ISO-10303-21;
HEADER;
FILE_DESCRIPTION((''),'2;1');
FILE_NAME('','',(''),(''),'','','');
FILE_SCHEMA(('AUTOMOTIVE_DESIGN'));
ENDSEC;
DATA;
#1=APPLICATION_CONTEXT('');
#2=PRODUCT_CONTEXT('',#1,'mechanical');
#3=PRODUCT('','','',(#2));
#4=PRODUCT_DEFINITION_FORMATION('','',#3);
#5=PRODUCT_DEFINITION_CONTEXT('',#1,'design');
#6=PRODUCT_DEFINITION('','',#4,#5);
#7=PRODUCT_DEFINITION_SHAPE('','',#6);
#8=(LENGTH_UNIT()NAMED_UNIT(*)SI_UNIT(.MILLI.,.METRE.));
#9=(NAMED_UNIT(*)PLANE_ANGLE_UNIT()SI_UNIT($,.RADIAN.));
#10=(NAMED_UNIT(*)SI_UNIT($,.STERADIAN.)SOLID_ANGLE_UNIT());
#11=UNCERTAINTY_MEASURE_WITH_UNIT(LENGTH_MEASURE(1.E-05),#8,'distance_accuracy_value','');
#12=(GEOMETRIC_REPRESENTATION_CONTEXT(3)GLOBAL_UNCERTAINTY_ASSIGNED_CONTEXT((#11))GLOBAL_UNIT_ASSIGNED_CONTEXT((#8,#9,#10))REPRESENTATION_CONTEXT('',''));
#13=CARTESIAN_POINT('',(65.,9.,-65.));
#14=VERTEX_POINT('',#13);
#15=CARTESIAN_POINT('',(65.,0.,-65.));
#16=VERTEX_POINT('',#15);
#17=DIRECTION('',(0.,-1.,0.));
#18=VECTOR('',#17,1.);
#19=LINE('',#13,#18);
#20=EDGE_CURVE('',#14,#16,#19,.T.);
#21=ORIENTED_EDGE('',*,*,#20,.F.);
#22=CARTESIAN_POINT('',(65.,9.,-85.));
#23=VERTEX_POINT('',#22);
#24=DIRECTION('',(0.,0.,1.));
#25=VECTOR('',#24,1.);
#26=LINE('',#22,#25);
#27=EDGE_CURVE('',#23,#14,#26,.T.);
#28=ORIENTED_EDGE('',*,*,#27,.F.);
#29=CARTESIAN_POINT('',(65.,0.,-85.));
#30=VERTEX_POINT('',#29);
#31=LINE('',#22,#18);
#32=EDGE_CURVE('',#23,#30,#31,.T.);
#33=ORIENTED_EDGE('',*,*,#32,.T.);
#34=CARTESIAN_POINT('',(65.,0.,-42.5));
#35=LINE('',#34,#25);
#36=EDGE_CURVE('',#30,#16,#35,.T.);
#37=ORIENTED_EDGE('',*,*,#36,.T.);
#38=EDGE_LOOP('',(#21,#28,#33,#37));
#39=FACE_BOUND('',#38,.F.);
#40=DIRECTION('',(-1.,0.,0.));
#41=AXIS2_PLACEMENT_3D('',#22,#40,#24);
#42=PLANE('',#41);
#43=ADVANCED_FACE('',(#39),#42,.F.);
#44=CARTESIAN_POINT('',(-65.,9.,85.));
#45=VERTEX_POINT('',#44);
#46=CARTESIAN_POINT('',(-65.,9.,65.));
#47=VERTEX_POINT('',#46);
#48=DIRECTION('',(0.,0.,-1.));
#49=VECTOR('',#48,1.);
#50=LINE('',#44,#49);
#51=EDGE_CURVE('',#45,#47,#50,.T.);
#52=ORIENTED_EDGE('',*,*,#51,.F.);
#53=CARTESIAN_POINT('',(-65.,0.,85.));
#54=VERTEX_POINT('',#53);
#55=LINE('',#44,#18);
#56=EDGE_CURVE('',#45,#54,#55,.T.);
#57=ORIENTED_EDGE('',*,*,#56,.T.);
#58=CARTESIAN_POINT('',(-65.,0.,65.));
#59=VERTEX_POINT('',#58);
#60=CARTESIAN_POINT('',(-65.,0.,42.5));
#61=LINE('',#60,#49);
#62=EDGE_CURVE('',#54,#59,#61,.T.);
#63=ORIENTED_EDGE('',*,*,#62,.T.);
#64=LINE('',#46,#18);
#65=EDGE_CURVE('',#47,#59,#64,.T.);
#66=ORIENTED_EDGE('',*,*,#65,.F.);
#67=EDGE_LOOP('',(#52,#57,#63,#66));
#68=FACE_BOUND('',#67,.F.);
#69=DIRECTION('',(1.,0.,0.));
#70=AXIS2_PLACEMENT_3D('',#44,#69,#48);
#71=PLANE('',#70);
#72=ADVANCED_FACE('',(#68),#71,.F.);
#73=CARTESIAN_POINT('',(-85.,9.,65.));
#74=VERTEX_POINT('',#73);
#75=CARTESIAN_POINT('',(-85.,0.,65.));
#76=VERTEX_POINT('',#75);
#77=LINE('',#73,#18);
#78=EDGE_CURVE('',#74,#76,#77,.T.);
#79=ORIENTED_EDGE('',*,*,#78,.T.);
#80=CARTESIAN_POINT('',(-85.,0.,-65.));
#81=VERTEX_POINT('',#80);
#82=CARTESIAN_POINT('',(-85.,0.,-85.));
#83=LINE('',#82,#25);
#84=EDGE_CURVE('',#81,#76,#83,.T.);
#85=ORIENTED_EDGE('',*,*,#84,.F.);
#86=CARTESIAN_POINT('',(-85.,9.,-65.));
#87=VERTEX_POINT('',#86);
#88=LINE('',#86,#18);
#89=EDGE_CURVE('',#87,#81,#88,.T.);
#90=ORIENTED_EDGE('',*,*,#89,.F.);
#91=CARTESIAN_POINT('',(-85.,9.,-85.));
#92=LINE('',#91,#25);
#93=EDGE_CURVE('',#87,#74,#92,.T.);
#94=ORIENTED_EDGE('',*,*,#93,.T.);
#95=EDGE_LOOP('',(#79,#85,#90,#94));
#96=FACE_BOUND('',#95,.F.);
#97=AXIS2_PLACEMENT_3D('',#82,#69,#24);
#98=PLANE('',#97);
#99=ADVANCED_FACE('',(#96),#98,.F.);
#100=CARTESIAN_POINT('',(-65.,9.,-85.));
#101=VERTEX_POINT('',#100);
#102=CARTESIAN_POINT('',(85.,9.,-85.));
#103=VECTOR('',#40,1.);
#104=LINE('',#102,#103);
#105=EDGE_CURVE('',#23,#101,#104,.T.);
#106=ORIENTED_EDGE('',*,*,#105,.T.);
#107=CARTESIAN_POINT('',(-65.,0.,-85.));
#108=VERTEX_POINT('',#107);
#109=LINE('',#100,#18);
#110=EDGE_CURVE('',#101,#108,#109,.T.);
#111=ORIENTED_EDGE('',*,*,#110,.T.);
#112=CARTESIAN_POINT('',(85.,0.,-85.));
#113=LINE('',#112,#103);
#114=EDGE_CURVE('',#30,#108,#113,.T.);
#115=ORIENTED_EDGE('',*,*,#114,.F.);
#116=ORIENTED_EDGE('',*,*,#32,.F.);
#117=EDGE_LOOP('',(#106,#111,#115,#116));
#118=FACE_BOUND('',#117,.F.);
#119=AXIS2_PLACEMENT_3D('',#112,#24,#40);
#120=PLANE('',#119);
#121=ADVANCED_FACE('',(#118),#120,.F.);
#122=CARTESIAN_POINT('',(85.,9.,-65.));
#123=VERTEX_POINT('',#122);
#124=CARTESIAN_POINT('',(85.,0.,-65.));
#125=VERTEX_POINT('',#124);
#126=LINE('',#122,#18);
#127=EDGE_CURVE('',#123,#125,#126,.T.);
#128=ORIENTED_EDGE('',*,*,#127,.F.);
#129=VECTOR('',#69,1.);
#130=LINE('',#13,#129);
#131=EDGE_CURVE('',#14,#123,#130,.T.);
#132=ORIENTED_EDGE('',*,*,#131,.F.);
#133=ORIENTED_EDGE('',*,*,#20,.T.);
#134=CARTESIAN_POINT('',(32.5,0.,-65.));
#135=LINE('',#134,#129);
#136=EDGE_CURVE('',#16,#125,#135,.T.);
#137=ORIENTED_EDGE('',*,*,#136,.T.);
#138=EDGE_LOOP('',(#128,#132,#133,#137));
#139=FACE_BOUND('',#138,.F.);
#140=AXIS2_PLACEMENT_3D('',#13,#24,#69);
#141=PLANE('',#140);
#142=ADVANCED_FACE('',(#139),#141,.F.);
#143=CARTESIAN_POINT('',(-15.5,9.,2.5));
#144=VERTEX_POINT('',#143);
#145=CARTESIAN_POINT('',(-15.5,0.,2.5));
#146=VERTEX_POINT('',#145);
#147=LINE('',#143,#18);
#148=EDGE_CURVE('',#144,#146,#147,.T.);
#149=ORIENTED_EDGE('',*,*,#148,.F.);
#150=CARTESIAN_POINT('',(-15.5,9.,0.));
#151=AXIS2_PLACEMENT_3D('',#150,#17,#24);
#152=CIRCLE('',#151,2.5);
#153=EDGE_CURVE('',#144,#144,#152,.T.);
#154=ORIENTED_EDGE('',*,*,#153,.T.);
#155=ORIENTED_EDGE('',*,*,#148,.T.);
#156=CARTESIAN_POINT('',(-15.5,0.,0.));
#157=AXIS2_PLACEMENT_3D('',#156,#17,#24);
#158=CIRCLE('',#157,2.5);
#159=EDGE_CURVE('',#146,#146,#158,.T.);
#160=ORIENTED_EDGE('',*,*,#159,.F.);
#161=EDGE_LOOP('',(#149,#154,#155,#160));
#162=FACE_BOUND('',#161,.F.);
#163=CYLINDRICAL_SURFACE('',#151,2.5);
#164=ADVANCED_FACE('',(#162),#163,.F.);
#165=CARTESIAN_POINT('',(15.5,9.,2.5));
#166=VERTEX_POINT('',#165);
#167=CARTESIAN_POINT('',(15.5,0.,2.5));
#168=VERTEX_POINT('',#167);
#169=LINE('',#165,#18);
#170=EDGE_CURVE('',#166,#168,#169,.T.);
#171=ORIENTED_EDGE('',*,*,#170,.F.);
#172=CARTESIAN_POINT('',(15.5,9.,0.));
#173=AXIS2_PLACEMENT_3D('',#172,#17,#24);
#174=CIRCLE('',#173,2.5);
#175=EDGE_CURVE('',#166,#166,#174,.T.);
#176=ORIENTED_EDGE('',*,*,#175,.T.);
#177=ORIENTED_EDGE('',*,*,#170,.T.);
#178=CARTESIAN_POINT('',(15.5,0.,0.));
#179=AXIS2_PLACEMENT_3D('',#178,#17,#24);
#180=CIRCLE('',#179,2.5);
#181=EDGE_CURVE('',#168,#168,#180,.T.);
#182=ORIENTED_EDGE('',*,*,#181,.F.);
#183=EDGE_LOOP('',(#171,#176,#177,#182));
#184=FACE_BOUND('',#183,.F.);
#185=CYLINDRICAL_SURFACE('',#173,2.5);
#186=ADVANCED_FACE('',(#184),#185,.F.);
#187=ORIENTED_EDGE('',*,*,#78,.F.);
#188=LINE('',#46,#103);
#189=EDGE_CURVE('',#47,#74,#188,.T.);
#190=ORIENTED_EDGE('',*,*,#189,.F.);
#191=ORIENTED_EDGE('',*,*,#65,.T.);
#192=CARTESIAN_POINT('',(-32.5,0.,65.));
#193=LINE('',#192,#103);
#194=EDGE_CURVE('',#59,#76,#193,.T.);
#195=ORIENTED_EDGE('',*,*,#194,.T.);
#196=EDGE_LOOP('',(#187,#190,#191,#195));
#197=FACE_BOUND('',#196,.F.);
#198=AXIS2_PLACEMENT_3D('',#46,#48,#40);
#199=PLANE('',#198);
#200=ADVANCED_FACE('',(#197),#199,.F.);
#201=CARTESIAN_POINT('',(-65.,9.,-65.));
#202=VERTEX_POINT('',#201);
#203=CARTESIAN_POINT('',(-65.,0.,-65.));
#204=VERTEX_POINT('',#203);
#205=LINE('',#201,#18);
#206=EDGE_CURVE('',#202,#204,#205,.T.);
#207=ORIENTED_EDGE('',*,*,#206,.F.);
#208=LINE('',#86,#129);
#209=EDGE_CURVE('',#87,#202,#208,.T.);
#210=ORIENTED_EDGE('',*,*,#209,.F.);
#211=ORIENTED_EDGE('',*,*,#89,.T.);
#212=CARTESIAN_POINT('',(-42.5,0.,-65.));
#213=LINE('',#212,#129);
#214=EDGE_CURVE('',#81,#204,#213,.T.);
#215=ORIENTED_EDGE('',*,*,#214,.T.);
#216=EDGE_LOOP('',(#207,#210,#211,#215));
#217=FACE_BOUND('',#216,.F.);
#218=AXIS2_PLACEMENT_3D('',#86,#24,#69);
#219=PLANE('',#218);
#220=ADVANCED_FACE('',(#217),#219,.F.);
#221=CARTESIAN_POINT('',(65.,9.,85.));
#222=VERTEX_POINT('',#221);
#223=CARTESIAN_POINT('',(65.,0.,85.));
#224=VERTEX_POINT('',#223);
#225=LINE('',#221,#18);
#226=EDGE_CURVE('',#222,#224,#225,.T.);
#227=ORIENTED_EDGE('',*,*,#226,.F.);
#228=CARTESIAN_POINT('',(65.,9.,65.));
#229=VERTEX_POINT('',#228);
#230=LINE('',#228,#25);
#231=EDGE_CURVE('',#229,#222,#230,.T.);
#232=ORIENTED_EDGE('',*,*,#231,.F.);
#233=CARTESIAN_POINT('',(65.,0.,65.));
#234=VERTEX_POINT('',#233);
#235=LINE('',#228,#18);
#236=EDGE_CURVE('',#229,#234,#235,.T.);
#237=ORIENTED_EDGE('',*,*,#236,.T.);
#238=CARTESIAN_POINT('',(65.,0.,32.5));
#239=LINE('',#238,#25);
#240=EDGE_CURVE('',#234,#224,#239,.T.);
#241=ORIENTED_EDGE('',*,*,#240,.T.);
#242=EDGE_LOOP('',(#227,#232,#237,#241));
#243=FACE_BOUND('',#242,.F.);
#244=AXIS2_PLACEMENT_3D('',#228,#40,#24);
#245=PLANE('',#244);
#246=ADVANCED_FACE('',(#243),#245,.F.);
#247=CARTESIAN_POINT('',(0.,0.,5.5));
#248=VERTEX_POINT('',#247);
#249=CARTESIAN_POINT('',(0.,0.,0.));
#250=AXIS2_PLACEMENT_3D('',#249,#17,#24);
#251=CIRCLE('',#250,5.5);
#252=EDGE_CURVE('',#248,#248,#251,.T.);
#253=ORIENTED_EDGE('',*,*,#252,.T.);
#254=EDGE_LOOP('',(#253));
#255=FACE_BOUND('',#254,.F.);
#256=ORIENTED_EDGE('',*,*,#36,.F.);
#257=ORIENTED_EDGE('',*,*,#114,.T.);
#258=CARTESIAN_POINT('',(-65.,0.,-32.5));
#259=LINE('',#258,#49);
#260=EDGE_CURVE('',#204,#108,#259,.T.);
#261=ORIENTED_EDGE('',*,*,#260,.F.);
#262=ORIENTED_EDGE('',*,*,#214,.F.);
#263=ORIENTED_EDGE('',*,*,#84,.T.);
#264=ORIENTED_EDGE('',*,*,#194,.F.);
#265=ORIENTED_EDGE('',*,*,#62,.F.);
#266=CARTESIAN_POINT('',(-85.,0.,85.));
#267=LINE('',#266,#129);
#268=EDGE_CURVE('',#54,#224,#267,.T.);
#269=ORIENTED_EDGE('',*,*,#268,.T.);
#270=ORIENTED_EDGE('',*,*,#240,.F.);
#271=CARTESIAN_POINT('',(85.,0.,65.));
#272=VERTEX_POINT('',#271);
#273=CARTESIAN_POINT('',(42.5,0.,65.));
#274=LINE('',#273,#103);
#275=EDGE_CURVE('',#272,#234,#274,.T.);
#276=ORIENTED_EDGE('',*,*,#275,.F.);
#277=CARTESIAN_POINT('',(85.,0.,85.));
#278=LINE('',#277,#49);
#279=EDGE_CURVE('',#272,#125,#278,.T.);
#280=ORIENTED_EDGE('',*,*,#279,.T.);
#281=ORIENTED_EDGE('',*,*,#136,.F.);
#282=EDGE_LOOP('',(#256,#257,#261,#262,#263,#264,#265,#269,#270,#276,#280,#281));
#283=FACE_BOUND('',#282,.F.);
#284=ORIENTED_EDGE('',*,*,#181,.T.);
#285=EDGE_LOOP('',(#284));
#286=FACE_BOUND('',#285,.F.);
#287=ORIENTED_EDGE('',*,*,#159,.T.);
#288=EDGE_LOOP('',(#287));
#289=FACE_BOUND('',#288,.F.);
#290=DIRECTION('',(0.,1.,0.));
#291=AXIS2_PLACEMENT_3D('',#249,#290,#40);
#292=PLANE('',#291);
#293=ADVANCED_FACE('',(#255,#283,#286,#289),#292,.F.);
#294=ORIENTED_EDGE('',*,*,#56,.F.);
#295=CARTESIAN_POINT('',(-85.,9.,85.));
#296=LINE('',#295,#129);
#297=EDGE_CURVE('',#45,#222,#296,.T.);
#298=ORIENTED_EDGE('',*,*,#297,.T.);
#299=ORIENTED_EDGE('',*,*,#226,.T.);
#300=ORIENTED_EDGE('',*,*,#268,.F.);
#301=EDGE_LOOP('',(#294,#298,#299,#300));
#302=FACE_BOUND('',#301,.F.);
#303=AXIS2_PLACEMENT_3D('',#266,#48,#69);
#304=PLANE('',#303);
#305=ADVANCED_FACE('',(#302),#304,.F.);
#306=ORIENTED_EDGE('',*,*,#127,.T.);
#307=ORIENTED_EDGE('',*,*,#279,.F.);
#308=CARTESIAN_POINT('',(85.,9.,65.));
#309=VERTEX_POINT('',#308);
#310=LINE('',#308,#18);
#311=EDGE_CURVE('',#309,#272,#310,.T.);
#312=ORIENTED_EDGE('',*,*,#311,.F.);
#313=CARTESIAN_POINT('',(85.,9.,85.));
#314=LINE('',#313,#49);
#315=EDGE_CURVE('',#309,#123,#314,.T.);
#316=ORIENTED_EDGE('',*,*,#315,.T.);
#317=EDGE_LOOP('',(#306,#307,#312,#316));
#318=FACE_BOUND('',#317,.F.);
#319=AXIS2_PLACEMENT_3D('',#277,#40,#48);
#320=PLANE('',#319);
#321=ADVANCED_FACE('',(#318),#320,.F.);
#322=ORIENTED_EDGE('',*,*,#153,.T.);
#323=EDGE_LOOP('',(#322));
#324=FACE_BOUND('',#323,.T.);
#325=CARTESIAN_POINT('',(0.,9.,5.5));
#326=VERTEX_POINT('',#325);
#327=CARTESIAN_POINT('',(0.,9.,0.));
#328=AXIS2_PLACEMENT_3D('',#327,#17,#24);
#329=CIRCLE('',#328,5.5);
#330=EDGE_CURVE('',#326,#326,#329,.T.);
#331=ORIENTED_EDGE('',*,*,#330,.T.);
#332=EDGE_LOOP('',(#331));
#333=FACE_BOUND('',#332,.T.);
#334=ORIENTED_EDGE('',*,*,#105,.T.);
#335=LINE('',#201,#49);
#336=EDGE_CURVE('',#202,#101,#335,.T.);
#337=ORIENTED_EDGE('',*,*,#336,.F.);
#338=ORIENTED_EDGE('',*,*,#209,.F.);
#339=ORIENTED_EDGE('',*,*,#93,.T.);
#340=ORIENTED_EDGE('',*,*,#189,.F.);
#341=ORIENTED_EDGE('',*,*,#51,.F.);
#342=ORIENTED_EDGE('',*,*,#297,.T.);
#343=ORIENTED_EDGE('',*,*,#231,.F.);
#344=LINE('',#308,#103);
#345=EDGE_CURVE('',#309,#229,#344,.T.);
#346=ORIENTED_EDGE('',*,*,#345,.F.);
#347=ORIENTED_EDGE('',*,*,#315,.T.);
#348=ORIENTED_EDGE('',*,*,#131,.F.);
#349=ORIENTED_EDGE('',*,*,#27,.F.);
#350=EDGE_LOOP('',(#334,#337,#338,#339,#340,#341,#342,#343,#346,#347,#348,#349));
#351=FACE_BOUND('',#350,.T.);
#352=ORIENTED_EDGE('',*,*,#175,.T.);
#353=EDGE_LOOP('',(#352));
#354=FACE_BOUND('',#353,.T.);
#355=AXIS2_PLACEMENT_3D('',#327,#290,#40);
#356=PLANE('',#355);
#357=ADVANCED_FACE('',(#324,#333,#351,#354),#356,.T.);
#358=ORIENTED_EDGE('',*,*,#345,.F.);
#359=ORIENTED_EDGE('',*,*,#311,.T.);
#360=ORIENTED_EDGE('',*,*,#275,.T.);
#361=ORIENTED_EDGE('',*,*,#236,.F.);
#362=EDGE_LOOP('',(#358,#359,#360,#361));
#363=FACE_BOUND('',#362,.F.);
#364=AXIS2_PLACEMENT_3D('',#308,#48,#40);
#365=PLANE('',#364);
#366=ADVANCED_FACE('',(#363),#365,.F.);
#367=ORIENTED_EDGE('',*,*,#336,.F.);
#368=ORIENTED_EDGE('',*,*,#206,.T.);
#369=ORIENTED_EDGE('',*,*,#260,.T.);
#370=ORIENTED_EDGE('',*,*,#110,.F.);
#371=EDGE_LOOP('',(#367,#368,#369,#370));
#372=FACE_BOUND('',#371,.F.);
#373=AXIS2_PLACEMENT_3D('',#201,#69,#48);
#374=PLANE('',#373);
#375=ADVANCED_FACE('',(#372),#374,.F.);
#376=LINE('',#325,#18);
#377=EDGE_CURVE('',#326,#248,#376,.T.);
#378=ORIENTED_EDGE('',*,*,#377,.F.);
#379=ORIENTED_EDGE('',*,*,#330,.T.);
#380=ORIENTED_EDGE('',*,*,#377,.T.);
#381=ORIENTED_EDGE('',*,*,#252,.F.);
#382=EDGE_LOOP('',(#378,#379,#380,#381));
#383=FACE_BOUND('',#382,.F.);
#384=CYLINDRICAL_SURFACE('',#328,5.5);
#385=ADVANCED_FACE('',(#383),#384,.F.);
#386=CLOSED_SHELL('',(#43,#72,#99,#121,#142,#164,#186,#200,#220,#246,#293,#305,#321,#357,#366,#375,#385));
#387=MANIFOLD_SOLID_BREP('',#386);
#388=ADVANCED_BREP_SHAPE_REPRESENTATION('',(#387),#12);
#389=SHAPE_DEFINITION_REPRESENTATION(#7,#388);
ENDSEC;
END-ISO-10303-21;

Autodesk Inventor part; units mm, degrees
ref_plane "YZ Plane" through (0, 0, 0) normal (1, 0, 0) x (0, 1, 0)
ref_plane "XZ Plane" through (0, 0, 0) normal (0, 1, 0) x (-1, 0, 0)
ref_plane "XY Plane" through (0, 0, 0) normal (0, 0, 1) x (1, 0, 0)
sketch "草圖1" plane through (0, 0, 0) normal (0, 1, 0) x (-1, 0, 0)
  line L0 (85, 85) -> (-85, 85)
  line L1 (-85, 85) -> (-85, -85)
  line L2 (-85, -85) -> (85, -85)
  line L3 (85, -85) -> (85, 85)
  line L4 (85, 85) -> (-85, -85) construction
  line L5 (-85, 85) -> (85, -85) construction
  point P0 (0, 0)
  dimension "d0" = 170
  dimension "d1" = 170
extrude "擠出1" add sketch "草圖1" along normal blind 9
sketch "草圖2" plane through (0, 9, 0) normal (0, 1, 0) x (1, 0, 0)
  line L0 (-85, 85) -> (-85, -85) projected
  line L1 (-85, -85) -> (-65, -85)
  line L2 (-65, -85) -> (-65, -65)
  line L3 (-65, -65) -> (-85, -65)
  line L4 (-85, -65) -> (-85, -85)
  point P0 (0, 0)
  dimension "d4" = 20
  dimension "d5" = 20
extrude "擠出2" cut sketch "草圖2" against normal through all
pattern_circular "環形陣列1" count 4 over 360 about axis through (0, -10, 0) along (0, 1, 0) of "擠出2"
sketch "草圖5" plane through (0, 9, 0) normal (0, 1, 0) x (1, 0, 0)
  point P0 (0, 0)
  point P1 (0, 0)
hole "孔3" at (0, 9, 0) direction (0, -1, 0) diameter 11 end through all
sketch "草圖6" plane through (0, 9, 0) normal (0, 1, 0) x (1, 0, 0)
  point P0 (0, 0)
  point P1 (-15.5, 0)
  point P2 (15.5, 0)
  dimension "d36" = 31
  dimension "d37" = 15.5
hole "孔4" at (-15.5, 9, 0) at (15.5, 9, 0) direction (0, -1, 0) diameter 5 end through all
equation "\"d0\" = d1"
equation "\"d37\" = 0.5 * d36"
properties part number "上部3分木板中板" material "松木、赤松"
